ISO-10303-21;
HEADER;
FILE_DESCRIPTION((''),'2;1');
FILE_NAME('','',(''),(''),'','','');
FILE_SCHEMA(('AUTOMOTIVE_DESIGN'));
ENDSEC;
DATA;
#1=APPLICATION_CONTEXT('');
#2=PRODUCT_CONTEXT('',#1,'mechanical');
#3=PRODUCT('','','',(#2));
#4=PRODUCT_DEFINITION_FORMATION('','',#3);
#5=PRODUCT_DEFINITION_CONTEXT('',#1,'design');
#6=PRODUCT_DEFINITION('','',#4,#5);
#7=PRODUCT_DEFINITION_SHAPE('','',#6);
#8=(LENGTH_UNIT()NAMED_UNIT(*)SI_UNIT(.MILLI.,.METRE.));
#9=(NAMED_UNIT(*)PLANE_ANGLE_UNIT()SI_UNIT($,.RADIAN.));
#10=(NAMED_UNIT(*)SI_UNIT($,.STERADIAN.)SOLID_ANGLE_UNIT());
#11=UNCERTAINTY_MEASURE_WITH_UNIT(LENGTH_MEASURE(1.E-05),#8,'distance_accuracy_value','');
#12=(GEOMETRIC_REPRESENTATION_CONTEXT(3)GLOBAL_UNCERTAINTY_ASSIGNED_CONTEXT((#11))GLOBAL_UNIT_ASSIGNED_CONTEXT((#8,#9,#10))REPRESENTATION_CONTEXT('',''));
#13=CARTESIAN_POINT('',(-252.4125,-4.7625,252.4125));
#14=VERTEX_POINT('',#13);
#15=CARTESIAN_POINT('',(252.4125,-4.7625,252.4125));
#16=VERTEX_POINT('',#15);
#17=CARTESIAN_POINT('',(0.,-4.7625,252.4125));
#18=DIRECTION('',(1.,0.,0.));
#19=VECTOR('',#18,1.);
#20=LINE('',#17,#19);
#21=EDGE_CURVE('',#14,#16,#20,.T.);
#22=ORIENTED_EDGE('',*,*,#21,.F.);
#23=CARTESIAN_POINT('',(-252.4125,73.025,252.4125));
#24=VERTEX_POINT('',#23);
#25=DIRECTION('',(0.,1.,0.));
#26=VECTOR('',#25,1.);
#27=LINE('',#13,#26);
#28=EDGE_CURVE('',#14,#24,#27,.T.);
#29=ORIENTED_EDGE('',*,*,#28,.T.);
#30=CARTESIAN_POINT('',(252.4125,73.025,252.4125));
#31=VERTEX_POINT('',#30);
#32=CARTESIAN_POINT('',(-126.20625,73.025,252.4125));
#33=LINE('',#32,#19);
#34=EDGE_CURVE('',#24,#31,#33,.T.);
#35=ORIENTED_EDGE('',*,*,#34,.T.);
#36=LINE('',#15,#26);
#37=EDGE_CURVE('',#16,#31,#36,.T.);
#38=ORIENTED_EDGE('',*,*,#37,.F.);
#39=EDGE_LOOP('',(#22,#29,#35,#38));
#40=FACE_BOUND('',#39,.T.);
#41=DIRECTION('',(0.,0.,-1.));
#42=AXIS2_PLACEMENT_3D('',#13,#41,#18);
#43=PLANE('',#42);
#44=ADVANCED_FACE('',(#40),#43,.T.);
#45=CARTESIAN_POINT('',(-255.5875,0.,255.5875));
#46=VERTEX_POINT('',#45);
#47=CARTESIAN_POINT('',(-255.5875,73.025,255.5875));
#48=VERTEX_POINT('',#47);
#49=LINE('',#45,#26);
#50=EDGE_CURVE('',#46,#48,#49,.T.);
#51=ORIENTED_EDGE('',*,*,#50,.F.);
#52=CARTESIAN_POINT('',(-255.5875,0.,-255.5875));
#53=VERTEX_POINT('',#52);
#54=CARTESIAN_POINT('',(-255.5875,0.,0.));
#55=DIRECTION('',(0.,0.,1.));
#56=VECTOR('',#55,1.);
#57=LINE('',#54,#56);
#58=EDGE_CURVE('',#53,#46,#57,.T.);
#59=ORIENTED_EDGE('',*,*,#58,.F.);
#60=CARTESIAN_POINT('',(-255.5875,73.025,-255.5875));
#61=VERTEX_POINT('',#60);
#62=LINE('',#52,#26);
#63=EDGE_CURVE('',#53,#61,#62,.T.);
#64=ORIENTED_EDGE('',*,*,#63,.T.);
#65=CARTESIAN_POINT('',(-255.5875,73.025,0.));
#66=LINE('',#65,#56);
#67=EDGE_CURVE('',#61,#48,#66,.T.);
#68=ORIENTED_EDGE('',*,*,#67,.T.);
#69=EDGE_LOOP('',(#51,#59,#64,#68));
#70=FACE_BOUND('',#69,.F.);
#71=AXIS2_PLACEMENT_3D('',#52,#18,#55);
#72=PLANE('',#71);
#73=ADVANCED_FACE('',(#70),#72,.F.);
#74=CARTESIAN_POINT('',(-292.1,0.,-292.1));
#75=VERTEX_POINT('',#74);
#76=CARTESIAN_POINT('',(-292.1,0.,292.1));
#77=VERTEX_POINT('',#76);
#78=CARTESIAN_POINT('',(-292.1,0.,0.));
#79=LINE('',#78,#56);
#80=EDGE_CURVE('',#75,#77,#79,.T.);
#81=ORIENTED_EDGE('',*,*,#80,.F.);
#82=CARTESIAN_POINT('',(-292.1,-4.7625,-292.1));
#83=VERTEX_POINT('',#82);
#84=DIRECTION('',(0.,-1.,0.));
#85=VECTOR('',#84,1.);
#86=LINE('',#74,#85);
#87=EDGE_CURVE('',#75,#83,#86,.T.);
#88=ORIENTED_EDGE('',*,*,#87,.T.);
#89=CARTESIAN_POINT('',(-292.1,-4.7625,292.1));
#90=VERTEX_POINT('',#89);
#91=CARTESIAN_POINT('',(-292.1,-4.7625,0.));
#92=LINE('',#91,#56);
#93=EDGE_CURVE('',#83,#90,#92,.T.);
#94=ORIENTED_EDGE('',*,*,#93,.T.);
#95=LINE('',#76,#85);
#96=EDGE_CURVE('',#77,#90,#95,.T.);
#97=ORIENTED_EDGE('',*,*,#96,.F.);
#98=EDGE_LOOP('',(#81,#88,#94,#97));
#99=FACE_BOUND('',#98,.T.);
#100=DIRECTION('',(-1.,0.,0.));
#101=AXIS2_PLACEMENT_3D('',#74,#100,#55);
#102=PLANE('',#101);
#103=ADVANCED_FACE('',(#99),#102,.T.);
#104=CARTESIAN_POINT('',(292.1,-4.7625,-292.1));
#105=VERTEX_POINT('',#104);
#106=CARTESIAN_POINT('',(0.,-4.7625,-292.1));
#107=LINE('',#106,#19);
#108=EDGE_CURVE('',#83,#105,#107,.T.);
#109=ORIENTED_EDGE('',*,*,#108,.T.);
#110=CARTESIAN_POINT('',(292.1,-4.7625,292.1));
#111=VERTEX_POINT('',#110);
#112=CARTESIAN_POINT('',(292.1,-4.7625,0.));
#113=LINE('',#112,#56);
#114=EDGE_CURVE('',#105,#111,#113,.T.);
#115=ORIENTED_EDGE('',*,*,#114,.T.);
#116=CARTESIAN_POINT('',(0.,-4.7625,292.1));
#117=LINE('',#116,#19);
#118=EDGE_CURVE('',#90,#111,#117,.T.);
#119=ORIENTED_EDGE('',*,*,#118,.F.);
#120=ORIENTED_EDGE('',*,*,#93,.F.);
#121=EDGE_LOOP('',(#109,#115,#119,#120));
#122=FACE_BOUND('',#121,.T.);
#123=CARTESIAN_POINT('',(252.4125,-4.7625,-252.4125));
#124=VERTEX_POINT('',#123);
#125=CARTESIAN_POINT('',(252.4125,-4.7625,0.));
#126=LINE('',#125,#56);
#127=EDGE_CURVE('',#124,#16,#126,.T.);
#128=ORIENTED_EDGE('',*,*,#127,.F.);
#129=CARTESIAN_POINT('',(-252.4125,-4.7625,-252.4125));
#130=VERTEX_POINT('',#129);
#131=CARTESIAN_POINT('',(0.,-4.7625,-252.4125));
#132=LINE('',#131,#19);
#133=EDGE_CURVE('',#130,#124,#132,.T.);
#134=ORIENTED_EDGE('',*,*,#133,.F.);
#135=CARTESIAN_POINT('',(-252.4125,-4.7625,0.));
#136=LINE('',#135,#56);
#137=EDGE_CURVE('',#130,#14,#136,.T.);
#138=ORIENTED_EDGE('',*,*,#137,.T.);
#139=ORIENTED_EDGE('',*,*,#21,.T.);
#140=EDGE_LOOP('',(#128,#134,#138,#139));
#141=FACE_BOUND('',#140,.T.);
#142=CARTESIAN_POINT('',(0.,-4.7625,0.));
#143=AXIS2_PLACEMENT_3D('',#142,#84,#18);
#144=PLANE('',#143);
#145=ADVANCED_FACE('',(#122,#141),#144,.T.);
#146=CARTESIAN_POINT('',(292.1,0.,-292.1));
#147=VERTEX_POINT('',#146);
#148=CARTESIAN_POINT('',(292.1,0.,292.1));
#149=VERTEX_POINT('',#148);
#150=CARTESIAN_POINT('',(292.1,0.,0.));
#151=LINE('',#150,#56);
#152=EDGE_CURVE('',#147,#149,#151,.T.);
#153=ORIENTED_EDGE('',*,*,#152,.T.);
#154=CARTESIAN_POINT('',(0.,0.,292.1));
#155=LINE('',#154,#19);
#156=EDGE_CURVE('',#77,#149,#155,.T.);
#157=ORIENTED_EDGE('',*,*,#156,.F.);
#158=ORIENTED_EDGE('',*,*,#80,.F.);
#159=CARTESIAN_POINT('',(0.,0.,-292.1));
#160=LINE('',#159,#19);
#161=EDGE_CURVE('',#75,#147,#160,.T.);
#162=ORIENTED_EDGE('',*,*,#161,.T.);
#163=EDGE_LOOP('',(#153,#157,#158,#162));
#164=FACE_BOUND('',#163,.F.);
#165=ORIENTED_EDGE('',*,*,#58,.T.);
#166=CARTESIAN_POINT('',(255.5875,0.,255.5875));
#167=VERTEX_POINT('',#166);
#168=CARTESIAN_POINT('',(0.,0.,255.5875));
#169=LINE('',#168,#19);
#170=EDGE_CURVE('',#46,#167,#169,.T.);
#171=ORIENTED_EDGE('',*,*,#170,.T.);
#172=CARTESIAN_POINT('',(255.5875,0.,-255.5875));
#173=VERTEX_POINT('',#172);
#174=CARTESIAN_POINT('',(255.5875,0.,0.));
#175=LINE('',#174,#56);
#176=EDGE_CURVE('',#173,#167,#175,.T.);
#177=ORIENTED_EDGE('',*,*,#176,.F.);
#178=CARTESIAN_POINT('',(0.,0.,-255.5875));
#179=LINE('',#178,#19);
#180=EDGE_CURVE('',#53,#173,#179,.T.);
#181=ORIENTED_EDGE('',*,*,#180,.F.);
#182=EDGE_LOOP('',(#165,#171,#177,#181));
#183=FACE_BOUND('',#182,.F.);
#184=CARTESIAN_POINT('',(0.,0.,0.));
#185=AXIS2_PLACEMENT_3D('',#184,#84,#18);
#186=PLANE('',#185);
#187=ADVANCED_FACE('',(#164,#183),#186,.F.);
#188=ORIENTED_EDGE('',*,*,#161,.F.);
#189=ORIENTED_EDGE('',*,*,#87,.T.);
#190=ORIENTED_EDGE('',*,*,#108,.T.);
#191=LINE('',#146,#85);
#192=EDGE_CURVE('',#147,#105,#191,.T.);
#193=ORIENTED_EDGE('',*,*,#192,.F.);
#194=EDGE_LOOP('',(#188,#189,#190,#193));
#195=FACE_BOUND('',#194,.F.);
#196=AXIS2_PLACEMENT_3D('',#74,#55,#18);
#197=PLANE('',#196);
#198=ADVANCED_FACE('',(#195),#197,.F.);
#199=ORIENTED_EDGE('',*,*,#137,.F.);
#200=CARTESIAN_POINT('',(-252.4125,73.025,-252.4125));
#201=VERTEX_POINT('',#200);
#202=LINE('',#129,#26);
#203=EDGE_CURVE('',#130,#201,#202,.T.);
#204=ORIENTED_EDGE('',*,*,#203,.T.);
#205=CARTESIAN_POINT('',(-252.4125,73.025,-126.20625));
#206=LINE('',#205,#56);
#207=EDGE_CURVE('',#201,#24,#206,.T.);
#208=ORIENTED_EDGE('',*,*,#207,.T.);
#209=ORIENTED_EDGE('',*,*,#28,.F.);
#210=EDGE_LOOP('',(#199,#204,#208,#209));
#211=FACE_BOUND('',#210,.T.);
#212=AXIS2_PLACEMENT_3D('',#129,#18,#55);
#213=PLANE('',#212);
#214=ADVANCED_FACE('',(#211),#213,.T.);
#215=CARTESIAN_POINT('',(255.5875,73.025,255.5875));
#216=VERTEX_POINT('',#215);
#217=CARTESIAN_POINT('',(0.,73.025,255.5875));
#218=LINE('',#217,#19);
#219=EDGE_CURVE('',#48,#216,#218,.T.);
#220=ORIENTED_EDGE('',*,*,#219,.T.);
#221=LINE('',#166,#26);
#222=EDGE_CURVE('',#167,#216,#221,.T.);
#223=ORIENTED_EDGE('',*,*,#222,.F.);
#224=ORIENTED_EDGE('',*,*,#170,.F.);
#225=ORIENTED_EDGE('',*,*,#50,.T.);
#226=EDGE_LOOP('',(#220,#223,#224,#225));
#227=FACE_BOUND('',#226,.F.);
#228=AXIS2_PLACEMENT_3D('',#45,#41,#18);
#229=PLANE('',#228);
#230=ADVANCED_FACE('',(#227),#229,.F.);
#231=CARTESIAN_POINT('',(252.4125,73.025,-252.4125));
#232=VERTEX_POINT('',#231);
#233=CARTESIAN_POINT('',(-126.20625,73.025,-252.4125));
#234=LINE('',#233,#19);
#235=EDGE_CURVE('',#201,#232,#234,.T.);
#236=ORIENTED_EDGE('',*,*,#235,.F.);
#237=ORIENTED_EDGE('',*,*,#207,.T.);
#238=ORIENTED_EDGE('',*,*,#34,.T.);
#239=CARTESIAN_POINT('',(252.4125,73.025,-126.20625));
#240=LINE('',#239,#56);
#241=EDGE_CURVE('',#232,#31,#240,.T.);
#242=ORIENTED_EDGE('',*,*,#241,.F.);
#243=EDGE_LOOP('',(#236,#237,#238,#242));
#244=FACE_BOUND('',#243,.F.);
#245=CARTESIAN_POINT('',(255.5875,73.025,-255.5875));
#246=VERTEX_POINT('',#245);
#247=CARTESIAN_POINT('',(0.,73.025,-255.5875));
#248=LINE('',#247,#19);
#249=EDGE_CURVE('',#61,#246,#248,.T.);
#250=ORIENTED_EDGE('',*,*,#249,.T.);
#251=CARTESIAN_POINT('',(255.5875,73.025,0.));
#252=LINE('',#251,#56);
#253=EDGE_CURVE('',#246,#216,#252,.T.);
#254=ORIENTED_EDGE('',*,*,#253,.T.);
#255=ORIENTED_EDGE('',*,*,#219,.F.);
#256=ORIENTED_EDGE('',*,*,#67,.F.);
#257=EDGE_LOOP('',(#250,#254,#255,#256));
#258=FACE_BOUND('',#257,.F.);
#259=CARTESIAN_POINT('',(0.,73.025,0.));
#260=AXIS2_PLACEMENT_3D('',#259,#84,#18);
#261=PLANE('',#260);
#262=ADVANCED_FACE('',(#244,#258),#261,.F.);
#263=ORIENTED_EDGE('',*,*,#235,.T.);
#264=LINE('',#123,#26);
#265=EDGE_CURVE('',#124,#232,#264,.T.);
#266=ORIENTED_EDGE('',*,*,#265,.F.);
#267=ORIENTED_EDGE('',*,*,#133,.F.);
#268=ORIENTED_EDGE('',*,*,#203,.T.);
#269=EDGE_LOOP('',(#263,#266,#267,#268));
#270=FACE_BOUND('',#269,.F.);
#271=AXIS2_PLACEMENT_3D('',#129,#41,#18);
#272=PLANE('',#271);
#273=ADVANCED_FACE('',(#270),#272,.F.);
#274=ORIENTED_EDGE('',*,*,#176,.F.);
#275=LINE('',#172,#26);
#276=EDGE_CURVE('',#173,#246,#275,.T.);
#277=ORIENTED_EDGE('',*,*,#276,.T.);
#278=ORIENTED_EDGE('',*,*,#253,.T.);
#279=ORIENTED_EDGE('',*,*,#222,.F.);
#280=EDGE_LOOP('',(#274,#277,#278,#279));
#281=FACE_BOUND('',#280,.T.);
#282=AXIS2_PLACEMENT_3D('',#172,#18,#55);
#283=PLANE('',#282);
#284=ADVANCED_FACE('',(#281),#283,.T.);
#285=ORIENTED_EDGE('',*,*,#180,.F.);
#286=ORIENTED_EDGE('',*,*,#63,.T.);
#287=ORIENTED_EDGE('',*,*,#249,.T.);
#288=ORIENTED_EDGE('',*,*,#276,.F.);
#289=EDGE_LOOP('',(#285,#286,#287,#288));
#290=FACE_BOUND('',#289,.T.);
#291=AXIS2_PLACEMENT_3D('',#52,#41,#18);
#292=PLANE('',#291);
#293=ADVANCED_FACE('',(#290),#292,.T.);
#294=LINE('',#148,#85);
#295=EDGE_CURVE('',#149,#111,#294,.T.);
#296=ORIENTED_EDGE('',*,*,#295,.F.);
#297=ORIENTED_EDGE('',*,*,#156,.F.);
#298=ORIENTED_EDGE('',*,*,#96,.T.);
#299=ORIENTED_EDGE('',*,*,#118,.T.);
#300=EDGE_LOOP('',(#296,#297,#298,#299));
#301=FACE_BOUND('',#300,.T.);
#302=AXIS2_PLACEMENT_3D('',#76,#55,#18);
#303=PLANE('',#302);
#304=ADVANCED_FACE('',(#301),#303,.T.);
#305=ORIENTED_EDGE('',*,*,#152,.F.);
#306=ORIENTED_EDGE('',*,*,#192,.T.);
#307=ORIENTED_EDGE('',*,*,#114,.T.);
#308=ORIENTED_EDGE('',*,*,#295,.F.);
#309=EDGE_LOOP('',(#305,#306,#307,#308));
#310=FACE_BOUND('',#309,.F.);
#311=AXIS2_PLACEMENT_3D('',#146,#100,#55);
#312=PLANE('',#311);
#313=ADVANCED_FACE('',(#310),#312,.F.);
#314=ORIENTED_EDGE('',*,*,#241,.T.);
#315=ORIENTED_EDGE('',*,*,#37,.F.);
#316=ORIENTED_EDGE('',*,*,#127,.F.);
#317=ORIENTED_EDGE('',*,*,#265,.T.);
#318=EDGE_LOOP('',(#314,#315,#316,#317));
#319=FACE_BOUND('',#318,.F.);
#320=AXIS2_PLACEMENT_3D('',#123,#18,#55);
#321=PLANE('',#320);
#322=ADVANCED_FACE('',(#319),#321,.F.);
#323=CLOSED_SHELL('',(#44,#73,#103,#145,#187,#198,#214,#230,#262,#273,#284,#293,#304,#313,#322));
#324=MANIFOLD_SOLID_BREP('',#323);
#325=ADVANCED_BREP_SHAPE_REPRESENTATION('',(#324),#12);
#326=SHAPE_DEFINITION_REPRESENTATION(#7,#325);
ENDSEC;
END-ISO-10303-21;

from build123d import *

# Parameters (mm, degrees)
F0_W     = 511.175
F0_H     = 511.175
F1_DEPTH = 73.025
F2_W     = 584.2
F2_H     = 584.2
F2_W_2   = 511.175
F2_H_2   = 511.175
F3_DEPTH = 4.7625
F4_W     = 504.825
F4_H     = 504.825
F5_DEPTH = 77.7885


with BuildPart() as f1:
    # F0 (on Front) → F1 (new body)
    with BuildSketch(Plane.XZ):
        Rectangle(F0_W, F0_H)
    extrude(amount=-F1_DEPTH)

    # F2 (on face) → F3 (join)
    with BuildSketch(Plane.XZ):
        Rectangle(F2_W, F2_H)
        Rectangle(F2_W_2, F2_H_2, mode=Mode.SUBTRACT)
        Rectangle(F2_W_2, F2_H_2)
    extrude(amount=F3_DEPTH)

    # F4 (on face) → F5 (cut, through all)
    with BuildSketch(Plane.XZ.offset(4.7625)):
        Rectangle(F4_W, F4_H)
    extrude(amount=-F5_DEPTH, mode=Mode.SUBTRACT)


solid = f1.part
